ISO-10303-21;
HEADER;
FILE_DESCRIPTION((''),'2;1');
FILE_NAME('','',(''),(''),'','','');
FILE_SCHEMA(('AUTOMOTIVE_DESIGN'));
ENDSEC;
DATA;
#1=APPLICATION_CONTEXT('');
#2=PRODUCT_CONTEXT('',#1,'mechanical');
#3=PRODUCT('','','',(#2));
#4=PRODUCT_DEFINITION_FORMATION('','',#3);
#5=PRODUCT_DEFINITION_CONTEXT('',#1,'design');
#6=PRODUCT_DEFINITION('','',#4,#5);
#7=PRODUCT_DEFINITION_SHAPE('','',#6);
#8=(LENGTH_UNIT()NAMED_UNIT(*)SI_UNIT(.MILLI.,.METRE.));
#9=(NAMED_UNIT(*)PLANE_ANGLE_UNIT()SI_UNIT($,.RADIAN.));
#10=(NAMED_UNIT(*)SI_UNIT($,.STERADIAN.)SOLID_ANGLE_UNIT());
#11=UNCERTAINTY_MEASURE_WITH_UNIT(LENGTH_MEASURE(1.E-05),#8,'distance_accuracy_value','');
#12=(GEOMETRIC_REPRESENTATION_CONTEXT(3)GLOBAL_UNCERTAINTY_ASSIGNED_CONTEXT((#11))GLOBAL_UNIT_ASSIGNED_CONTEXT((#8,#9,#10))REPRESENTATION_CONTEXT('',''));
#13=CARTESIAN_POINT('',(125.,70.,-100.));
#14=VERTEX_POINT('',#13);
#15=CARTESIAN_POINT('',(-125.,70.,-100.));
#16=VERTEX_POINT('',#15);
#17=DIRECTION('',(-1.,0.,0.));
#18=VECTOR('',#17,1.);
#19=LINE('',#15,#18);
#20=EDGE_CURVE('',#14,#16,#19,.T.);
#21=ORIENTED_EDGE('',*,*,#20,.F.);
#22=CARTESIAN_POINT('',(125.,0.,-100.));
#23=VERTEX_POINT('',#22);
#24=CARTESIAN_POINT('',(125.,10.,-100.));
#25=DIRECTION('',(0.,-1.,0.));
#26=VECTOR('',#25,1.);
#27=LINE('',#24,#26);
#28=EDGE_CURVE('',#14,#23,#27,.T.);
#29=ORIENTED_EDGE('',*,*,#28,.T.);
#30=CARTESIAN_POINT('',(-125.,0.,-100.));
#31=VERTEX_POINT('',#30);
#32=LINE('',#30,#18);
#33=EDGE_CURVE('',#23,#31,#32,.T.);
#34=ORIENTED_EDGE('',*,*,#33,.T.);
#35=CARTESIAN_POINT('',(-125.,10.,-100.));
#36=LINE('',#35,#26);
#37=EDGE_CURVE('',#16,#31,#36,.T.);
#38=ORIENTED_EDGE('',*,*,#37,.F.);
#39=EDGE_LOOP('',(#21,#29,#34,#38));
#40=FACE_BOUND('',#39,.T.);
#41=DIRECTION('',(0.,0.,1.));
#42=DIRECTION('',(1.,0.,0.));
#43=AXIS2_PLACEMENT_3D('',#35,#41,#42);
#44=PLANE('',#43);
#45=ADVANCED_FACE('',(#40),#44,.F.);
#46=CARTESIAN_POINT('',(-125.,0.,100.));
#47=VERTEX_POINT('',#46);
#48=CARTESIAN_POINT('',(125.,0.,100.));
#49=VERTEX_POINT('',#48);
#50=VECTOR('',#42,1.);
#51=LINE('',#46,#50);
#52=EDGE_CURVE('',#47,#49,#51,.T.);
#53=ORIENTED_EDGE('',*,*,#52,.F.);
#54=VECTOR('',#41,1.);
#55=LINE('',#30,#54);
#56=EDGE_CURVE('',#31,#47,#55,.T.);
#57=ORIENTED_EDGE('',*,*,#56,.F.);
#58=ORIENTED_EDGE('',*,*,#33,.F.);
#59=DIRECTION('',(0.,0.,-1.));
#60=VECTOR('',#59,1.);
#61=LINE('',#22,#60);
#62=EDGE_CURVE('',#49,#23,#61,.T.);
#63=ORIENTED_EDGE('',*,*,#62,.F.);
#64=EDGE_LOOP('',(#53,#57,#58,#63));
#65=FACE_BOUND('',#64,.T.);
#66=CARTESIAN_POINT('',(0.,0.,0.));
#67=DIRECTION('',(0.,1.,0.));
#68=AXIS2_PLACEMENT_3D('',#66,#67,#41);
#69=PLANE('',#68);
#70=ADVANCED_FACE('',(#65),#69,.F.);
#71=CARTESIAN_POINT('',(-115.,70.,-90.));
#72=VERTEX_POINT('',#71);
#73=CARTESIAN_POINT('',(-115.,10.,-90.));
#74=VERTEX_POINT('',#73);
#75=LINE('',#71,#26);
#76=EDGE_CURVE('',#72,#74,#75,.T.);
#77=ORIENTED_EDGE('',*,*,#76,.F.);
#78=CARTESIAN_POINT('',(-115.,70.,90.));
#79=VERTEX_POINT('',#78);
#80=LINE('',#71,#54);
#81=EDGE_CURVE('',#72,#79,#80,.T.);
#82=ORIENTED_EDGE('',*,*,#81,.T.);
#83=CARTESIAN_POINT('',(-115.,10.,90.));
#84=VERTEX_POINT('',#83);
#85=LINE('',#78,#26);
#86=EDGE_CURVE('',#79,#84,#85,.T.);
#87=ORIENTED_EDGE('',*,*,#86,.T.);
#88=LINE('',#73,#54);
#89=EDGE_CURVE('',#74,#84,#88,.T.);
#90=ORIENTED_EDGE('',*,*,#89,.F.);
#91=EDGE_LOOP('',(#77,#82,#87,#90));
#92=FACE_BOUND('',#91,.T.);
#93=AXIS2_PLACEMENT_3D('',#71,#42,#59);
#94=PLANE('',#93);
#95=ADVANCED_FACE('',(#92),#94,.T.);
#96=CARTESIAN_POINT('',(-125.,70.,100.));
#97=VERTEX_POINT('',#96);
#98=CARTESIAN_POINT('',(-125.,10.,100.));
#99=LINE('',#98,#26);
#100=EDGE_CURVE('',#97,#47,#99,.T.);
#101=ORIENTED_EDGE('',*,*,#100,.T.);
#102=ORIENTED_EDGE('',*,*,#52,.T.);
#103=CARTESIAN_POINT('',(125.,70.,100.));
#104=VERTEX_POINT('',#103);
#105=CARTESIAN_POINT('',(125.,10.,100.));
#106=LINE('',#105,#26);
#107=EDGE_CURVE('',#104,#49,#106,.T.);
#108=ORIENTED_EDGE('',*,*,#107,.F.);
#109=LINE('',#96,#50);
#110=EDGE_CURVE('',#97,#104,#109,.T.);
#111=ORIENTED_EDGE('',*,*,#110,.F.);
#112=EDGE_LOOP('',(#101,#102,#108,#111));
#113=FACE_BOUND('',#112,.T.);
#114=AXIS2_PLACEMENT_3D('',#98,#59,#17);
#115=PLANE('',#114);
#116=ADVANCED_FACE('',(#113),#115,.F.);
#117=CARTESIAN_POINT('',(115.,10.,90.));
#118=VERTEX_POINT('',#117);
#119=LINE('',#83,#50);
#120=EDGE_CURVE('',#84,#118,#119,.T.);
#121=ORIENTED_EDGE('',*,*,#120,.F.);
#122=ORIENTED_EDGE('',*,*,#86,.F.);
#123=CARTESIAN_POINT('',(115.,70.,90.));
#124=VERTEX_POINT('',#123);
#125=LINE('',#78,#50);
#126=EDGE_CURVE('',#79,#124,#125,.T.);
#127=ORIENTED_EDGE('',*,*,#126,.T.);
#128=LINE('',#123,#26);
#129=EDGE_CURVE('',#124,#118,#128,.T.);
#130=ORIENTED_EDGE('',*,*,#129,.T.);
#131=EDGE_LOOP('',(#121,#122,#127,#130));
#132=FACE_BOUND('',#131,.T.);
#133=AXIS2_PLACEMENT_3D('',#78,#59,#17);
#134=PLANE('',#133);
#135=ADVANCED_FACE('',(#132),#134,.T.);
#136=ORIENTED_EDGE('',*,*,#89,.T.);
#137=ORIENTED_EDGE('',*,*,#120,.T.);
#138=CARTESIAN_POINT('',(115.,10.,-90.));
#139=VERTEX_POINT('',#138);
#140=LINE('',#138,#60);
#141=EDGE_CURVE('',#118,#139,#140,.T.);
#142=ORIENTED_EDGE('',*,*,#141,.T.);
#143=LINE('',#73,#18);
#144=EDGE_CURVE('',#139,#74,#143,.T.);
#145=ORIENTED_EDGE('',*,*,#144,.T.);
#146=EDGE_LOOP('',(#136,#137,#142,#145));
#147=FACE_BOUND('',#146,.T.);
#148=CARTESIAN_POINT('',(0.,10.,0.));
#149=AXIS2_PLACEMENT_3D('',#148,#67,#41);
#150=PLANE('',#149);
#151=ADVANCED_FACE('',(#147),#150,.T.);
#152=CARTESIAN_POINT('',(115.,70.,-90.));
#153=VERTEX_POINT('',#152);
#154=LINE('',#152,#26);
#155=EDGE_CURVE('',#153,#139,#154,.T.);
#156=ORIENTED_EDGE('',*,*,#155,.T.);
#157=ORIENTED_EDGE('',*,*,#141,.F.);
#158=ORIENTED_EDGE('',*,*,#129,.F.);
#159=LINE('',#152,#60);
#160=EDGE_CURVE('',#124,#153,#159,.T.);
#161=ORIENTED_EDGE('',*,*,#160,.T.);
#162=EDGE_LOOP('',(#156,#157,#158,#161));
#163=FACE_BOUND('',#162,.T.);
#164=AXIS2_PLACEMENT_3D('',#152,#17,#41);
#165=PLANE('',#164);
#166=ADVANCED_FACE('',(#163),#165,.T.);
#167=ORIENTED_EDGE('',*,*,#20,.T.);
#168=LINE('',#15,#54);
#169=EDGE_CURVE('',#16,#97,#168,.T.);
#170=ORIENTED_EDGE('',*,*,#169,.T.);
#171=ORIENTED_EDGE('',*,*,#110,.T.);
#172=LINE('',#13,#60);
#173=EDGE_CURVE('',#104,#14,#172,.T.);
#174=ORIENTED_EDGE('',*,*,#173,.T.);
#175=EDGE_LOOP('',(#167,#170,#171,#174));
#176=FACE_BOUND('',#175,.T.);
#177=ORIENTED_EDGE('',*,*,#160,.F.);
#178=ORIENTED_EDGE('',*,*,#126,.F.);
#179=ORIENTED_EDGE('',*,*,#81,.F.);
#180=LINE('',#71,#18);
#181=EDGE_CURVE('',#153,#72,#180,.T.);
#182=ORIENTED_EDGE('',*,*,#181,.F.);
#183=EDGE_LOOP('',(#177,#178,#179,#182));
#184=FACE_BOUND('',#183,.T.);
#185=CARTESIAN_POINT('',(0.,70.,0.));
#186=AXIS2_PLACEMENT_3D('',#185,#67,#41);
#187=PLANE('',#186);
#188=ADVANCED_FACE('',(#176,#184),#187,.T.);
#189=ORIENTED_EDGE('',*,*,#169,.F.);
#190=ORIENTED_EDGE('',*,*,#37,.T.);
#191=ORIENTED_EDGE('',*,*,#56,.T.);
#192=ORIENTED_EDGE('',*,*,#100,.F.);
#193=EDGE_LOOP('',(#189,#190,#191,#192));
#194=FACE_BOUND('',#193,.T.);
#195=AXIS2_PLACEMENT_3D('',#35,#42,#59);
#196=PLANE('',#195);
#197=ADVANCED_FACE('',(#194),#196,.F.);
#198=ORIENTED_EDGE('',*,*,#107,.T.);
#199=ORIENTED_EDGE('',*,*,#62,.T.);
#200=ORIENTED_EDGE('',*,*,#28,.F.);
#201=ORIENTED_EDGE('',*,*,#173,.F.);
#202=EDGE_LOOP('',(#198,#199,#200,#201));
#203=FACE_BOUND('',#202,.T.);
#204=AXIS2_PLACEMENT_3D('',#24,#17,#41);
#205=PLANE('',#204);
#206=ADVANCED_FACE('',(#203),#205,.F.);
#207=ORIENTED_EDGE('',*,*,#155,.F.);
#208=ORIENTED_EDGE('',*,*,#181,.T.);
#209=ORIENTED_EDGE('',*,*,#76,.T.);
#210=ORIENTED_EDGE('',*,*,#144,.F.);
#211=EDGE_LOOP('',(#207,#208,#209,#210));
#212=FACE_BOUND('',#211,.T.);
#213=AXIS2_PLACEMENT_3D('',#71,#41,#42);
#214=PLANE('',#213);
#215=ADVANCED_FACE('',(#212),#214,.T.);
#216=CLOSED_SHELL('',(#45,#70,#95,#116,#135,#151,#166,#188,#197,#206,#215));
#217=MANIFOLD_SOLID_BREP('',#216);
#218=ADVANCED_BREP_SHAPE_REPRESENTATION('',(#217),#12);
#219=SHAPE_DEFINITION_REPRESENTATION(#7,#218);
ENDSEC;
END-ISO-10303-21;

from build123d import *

# Parameters (mm, degrees)
CROQUIS1_W              = 250
CROQUIS1_H              = 200
SALIENTE_EXTRUIR1_DEPTH = 10
CROQUIS2_W              = 250
CROQUIS2_H              = 200
CROQUIS2_W_2            = 230
CROQUIS2_H_2            = 180
SALIENTE_EXTRUIR2_DEPTH = 60


with BuildPart() as part:
    # Croquis1 → Saliente-Extruir1 (new body)
    with BuildSketch(Plane(origin=(0, 0, 0), x_dir=(1, 0, 0), z_dir=(0, 1, 0))):
        Rectangle(CROQUIS1_W, CROQUIS1_H)
    extrude(amount=SALIENTE_EXTRUIR1_DEPTH)

    # Croquis2 → Saliente-Extruir2 (add)
    with BuildSketch(Plane(origin=(0, 10, 0), x_dir=(1, 0, 0), z_dir=(0, 1, 0))):
        Rectangle(CROQUIS2_W, CROQUIS2_H)
        Rectangle(CROQUIS2_W_2, CROQUIS2_H_2, mode=Mode.SUBTRACT)
    extrude(amount=SALIENTE_EXTRUIR2_DEPTH)


solid = part.part
